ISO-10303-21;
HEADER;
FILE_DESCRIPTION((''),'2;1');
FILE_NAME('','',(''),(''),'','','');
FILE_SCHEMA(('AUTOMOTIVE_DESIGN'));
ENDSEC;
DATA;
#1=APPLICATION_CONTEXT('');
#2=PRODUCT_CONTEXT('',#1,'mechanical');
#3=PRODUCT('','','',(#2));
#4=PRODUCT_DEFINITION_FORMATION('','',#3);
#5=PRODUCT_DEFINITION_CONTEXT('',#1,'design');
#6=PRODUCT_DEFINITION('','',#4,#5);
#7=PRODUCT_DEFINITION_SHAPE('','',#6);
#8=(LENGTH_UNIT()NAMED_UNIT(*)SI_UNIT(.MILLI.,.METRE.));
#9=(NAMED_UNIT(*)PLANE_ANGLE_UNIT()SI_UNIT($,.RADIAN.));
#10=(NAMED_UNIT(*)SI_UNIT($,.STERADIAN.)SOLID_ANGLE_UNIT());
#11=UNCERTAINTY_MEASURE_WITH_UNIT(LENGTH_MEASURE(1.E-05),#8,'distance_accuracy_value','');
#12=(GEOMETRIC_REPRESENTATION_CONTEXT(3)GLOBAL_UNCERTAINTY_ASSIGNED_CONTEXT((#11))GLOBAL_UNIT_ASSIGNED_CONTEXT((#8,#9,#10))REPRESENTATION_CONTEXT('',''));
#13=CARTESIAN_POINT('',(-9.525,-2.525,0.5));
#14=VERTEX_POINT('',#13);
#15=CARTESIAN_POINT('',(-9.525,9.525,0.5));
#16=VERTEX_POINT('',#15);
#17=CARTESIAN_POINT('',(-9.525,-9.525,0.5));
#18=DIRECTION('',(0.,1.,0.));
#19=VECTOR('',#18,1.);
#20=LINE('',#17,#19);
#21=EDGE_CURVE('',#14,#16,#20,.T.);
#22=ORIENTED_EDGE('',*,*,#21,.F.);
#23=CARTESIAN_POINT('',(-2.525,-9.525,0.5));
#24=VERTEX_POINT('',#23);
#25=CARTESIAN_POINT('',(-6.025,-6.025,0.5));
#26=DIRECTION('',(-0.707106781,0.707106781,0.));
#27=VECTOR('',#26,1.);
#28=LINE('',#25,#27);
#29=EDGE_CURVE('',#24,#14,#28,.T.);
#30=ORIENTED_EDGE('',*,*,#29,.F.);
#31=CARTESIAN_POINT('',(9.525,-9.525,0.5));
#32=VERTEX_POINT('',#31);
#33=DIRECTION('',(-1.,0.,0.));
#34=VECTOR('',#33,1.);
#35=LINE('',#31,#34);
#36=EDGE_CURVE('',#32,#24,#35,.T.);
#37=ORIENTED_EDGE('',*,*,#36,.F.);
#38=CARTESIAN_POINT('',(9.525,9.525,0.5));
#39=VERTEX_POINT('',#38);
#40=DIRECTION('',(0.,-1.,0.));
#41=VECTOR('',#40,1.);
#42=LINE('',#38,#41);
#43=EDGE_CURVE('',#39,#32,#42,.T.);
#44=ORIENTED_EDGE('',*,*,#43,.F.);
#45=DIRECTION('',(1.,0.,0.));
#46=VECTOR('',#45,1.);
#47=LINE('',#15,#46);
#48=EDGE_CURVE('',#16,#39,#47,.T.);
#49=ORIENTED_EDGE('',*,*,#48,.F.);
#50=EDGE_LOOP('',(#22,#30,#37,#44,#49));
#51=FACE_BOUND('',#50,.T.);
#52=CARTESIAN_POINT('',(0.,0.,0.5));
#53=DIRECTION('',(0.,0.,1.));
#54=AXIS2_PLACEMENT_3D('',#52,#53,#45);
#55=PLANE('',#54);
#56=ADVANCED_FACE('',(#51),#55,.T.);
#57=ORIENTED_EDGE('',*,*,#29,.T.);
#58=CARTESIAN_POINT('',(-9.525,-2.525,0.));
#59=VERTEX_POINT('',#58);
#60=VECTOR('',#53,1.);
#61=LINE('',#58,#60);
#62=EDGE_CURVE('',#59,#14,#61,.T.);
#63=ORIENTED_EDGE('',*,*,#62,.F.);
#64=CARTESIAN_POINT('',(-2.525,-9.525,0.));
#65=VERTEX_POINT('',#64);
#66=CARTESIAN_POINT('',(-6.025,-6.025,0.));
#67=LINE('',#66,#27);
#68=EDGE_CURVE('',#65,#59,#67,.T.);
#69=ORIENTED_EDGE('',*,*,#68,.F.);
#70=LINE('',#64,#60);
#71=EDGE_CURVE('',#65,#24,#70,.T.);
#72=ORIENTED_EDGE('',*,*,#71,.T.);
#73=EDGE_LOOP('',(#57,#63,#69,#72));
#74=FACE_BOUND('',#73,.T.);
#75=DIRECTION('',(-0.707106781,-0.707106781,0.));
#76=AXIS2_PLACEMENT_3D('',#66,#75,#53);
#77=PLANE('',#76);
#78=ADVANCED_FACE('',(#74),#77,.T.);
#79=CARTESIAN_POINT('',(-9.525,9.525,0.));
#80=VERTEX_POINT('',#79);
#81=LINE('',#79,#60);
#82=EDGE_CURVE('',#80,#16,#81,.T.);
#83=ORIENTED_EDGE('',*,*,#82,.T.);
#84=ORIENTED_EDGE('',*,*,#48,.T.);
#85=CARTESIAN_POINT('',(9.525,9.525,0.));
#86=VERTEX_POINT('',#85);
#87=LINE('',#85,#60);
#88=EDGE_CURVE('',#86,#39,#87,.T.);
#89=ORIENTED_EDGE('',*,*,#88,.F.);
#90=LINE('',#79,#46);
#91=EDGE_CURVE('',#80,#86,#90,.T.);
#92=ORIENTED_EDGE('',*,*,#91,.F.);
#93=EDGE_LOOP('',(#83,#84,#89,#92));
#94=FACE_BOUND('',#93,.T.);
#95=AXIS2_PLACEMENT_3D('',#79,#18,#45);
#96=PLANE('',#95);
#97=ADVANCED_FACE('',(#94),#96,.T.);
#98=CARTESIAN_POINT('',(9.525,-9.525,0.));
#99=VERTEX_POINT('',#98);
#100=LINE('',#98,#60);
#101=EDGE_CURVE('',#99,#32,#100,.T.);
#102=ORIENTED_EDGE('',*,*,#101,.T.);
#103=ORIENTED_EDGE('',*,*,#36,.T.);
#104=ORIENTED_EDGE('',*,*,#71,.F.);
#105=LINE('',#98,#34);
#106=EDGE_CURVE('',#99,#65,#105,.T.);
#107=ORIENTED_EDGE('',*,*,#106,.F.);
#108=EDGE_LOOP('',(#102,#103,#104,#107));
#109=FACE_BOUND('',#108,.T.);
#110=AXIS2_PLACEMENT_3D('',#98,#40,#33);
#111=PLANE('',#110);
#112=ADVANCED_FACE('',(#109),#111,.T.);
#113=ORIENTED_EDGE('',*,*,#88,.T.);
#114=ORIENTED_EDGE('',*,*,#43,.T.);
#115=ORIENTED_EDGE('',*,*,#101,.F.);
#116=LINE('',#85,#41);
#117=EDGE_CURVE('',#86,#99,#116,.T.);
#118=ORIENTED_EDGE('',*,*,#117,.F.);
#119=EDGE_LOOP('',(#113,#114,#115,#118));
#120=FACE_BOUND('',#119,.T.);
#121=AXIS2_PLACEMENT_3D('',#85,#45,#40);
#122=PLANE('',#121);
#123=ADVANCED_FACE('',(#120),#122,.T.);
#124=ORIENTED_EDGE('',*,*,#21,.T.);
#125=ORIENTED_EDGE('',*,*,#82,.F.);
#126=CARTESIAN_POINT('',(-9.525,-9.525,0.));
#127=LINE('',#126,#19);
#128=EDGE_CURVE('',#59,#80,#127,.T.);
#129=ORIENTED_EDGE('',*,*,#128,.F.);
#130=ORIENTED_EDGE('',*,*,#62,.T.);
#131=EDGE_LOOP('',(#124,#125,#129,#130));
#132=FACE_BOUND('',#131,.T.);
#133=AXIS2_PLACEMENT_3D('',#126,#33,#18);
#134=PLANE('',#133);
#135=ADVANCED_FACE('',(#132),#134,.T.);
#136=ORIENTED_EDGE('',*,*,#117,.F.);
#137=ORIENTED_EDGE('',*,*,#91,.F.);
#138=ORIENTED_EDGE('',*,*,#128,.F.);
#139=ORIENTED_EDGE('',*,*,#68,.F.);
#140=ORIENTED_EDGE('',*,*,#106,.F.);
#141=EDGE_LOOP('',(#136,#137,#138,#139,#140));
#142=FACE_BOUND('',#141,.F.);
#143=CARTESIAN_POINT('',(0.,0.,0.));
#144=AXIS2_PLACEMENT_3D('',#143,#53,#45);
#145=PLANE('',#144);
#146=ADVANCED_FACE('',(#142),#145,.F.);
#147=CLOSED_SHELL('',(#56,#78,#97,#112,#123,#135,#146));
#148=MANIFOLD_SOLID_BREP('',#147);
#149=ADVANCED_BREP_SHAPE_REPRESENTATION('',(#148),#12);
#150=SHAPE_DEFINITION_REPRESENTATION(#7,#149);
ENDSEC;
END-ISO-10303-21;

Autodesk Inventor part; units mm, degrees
ref_plane "YZ Plane" through (0, 0, 0) normal (1, 0, 0) x (0, 1, 0)
sketch "Sketch1" plane through (0, 0, 0) normal (0, 0, 1) x (1, 0, 0)
  line L0 (-9.525, 9.525) -> (9.525, 9.525)
  line L1 (9.525, 9.525) -> (9.525, -9.525)
  line L2 (9.525, -9.525) -> (-9.525, -9.525)
  line L3 (-9.525, -9.525) -> (-9.525, 9.525)
  line L4 (0, 4.9747) -> (0, 0)
  line L5 (0, 0) -> (3.911, 0)
  dimension "d0" = 19.05
  dimension "d1" = 19.05
extrude "Extrusion1" add sketch "Sketch1" along normal blind 0.5
ref_plane "Work Plane1" through (-9.525, -9.525, 0) normal (-0.7071, 0.7071, 0) x (0, 0, 1)
ref_plane "Work Plane2" through (9.525, -9.525, 0) normal (-0.7071, -0.7071, 0) x (0, 0, 1)
chamfer "Chamfer1" distance 7 angle 45 1 edges at (-9.525, -9.525, 0.25)
properties material "Aluminum-6061"
